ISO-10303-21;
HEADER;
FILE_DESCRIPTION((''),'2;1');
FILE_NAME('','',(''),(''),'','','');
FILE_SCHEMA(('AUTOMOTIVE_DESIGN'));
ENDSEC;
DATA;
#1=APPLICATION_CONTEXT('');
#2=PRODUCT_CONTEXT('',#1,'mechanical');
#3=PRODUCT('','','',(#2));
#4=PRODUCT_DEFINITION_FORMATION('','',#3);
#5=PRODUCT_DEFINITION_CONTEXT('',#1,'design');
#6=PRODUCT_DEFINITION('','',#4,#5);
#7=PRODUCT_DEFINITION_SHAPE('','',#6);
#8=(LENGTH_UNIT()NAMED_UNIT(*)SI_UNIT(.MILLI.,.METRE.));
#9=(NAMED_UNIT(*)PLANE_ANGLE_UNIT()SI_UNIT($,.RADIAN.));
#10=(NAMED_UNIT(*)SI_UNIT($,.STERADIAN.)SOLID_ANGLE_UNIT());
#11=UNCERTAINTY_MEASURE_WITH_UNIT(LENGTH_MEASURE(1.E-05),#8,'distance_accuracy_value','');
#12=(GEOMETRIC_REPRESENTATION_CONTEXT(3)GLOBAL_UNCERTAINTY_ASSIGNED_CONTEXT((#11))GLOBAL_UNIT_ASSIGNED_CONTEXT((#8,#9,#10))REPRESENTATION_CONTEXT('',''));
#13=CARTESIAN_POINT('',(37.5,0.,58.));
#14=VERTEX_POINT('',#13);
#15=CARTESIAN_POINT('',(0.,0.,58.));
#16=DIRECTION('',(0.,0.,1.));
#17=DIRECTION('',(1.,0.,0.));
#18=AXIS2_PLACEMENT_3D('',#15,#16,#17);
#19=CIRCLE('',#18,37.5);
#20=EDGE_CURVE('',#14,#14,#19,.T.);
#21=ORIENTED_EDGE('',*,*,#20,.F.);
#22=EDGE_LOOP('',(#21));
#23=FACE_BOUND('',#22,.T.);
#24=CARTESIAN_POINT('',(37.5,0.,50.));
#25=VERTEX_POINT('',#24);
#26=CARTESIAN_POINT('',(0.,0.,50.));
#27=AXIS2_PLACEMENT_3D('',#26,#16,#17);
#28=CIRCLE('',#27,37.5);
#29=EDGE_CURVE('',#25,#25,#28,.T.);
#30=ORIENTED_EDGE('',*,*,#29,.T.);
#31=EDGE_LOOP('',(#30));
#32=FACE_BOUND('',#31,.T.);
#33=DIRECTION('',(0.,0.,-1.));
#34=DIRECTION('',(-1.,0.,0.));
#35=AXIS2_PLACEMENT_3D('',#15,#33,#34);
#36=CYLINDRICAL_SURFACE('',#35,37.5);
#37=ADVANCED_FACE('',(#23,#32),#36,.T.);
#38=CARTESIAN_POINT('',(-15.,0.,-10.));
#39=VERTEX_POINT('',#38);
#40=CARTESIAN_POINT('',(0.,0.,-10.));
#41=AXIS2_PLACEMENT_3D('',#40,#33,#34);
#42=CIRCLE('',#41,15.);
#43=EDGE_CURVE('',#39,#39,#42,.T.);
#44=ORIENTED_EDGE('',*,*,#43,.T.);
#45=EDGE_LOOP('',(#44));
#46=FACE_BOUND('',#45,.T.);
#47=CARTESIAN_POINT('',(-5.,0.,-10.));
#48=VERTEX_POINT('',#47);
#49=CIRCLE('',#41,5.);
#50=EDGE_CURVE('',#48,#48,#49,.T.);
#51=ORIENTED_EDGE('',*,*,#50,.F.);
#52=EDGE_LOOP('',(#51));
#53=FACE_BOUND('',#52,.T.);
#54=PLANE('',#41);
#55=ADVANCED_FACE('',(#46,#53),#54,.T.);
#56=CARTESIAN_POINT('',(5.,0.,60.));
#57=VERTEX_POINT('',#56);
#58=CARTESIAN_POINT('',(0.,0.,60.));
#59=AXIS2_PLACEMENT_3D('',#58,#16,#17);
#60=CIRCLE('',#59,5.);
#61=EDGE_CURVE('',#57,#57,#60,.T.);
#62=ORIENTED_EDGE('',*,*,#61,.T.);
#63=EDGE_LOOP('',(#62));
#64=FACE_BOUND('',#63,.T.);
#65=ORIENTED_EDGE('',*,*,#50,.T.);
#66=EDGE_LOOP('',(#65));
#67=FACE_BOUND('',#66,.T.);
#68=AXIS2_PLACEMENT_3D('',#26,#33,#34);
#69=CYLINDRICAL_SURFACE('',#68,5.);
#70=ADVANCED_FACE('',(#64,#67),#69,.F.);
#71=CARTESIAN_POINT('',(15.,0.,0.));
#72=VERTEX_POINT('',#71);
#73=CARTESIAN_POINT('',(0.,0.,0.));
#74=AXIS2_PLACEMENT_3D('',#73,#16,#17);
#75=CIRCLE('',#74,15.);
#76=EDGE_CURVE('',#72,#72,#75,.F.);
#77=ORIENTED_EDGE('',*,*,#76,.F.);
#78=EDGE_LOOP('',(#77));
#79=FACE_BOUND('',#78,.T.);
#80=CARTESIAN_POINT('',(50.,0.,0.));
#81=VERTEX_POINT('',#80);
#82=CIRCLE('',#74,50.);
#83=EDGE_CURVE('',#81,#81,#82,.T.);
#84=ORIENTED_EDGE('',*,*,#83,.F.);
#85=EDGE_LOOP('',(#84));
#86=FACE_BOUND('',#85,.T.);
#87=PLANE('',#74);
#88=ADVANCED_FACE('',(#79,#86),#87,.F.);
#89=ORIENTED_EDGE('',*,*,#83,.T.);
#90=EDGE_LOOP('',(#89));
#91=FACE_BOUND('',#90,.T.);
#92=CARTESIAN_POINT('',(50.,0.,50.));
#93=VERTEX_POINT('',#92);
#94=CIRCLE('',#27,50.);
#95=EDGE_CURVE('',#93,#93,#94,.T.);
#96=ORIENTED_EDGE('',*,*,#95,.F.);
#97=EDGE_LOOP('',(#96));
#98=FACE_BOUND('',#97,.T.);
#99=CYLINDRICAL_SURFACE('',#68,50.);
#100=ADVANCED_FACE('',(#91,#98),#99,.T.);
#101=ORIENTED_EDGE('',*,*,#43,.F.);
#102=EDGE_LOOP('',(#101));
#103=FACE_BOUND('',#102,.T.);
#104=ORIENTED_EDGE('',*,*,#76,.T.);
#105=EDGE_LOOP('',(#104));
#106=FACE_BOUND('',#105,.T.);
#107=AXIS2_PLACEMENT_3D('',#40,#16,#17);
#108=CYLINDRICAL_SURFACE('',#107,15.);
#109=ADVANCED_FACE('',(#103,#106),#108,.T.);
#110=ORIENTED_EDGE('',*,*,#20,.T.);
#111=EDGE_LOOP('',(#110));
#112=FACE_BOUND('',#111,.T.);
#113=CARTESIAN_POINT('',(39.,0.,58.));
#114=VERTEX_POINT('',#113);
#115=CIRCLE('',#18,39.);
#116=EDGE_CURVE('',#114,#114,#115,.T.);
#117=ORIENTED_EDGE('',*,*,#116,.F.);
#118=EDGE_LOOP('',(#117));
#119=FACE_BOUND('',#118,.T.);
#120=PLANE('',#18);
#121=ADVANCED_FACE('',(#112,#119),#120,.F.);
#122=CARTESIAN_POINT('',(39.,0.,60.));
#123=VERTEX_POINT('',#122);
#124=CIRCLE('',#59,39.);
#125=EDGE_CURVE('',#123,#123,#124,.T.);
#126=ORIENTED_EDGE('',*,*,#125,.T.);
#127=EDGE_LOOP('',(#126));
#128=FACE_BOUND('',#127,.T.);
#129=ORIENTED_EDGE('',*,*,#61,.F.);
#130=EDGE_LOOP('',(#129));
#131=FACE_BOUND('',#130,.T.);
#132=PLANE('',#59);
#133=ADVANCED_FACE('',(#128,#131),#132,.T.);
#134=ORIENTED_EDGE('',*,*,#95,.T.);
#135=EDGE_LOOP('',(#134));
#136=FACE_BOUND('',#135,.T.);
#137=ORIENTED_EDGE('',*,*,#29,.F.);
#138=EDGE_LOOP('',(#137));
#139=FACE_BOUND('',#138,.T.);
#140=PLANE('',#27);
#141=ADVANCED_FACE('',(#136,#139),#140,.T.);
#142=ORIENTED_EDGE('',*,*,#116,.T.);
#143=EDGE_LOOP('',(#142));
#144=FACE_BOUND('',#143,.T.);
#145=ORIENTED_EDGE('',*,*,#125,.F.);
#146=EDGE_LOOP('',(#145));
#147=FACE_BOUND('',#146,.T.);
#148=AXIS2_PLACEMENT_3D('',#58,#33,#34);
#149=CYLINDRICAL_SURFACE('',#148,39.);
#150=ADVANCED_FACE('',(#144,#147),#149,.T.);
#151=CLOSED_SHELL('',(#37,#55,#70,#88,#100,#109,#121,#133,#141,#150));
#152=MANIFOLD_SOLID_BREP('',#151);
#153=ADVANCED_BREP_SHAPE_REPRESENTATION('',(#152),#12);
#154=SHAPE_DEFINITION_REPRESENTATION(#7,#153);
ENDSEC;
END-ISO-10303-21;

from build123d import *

# Parameters (mm, degrees)
SKETCH1_R           = 50
SKETCH1_R_2         = 5
BOSS_EXTRUDE1_DEPTH = 50
SKETCH2_R           = 37.5
SKETCH2_R_2         = 5
BOSS_EXTRUDE2_DEPTH = 8
SKETCH3_R           = 39
SKETCH3_R_2         = 5
BOSS_EXTRUDE3_DEPTH = 2
BOSS_EXTRUDE4_START = 10
SKETCH4_R           = 15
SKETCH4_R_2         = 5
BOSS_EXTRUDE4_DEPTH = 10


with BuildPart() as part:
    # Sketch1 → Boss-Extrude1 (new body)
    with BuildSketch(Plane.XY):
        Circle(SKETCH1_R)
        Circle(SKETCH1_R_2, mode=Mode.SUBTRACT)
    extrude(amount=BOSS_EXTRUDE1_DEPTH)

    # Sketch2 → Boss-Extrude2 (add)
    with BuildSketch(Plane.XY.offset(50)):
        Circle(SKETCH2_R)
        Circle(SKETCH2_R_2, mode=Mode.SUBTRACT)
    extrude(amount=BOSS_EXTRUDE2_DEPTH)

    # Sketch3 → Boss-Extrude3 (add)
    with BuildSketch(Plane.XY.offset(58)):
        Circle(SKETCH3_R)
        Circle(SKETCH3_R_2, mode=Mode.SUBTRACT)
    extrude(amount=BOSS_EXTRUDE3_DEPTH)

    # Sketch4 → Boss-Extrude4 (add)
    with BuildSketch(Plane(origin=(0, 0, 0), x_dir=(-1, 0, 0), z_dir=(0, 0, -1)).offset(BOSS_EXTRUDE4_START)):
        with Locations(Location((0, 0, 0), (0, 0, 180))):
            Circle(SKETCH4_R)
        Circle(SKETCH4_R_2, mode=Mode.SUBTRACT)
    extrude(amount=-BOSS_EXTRUDE4_DEPTH)


solid = part.part
